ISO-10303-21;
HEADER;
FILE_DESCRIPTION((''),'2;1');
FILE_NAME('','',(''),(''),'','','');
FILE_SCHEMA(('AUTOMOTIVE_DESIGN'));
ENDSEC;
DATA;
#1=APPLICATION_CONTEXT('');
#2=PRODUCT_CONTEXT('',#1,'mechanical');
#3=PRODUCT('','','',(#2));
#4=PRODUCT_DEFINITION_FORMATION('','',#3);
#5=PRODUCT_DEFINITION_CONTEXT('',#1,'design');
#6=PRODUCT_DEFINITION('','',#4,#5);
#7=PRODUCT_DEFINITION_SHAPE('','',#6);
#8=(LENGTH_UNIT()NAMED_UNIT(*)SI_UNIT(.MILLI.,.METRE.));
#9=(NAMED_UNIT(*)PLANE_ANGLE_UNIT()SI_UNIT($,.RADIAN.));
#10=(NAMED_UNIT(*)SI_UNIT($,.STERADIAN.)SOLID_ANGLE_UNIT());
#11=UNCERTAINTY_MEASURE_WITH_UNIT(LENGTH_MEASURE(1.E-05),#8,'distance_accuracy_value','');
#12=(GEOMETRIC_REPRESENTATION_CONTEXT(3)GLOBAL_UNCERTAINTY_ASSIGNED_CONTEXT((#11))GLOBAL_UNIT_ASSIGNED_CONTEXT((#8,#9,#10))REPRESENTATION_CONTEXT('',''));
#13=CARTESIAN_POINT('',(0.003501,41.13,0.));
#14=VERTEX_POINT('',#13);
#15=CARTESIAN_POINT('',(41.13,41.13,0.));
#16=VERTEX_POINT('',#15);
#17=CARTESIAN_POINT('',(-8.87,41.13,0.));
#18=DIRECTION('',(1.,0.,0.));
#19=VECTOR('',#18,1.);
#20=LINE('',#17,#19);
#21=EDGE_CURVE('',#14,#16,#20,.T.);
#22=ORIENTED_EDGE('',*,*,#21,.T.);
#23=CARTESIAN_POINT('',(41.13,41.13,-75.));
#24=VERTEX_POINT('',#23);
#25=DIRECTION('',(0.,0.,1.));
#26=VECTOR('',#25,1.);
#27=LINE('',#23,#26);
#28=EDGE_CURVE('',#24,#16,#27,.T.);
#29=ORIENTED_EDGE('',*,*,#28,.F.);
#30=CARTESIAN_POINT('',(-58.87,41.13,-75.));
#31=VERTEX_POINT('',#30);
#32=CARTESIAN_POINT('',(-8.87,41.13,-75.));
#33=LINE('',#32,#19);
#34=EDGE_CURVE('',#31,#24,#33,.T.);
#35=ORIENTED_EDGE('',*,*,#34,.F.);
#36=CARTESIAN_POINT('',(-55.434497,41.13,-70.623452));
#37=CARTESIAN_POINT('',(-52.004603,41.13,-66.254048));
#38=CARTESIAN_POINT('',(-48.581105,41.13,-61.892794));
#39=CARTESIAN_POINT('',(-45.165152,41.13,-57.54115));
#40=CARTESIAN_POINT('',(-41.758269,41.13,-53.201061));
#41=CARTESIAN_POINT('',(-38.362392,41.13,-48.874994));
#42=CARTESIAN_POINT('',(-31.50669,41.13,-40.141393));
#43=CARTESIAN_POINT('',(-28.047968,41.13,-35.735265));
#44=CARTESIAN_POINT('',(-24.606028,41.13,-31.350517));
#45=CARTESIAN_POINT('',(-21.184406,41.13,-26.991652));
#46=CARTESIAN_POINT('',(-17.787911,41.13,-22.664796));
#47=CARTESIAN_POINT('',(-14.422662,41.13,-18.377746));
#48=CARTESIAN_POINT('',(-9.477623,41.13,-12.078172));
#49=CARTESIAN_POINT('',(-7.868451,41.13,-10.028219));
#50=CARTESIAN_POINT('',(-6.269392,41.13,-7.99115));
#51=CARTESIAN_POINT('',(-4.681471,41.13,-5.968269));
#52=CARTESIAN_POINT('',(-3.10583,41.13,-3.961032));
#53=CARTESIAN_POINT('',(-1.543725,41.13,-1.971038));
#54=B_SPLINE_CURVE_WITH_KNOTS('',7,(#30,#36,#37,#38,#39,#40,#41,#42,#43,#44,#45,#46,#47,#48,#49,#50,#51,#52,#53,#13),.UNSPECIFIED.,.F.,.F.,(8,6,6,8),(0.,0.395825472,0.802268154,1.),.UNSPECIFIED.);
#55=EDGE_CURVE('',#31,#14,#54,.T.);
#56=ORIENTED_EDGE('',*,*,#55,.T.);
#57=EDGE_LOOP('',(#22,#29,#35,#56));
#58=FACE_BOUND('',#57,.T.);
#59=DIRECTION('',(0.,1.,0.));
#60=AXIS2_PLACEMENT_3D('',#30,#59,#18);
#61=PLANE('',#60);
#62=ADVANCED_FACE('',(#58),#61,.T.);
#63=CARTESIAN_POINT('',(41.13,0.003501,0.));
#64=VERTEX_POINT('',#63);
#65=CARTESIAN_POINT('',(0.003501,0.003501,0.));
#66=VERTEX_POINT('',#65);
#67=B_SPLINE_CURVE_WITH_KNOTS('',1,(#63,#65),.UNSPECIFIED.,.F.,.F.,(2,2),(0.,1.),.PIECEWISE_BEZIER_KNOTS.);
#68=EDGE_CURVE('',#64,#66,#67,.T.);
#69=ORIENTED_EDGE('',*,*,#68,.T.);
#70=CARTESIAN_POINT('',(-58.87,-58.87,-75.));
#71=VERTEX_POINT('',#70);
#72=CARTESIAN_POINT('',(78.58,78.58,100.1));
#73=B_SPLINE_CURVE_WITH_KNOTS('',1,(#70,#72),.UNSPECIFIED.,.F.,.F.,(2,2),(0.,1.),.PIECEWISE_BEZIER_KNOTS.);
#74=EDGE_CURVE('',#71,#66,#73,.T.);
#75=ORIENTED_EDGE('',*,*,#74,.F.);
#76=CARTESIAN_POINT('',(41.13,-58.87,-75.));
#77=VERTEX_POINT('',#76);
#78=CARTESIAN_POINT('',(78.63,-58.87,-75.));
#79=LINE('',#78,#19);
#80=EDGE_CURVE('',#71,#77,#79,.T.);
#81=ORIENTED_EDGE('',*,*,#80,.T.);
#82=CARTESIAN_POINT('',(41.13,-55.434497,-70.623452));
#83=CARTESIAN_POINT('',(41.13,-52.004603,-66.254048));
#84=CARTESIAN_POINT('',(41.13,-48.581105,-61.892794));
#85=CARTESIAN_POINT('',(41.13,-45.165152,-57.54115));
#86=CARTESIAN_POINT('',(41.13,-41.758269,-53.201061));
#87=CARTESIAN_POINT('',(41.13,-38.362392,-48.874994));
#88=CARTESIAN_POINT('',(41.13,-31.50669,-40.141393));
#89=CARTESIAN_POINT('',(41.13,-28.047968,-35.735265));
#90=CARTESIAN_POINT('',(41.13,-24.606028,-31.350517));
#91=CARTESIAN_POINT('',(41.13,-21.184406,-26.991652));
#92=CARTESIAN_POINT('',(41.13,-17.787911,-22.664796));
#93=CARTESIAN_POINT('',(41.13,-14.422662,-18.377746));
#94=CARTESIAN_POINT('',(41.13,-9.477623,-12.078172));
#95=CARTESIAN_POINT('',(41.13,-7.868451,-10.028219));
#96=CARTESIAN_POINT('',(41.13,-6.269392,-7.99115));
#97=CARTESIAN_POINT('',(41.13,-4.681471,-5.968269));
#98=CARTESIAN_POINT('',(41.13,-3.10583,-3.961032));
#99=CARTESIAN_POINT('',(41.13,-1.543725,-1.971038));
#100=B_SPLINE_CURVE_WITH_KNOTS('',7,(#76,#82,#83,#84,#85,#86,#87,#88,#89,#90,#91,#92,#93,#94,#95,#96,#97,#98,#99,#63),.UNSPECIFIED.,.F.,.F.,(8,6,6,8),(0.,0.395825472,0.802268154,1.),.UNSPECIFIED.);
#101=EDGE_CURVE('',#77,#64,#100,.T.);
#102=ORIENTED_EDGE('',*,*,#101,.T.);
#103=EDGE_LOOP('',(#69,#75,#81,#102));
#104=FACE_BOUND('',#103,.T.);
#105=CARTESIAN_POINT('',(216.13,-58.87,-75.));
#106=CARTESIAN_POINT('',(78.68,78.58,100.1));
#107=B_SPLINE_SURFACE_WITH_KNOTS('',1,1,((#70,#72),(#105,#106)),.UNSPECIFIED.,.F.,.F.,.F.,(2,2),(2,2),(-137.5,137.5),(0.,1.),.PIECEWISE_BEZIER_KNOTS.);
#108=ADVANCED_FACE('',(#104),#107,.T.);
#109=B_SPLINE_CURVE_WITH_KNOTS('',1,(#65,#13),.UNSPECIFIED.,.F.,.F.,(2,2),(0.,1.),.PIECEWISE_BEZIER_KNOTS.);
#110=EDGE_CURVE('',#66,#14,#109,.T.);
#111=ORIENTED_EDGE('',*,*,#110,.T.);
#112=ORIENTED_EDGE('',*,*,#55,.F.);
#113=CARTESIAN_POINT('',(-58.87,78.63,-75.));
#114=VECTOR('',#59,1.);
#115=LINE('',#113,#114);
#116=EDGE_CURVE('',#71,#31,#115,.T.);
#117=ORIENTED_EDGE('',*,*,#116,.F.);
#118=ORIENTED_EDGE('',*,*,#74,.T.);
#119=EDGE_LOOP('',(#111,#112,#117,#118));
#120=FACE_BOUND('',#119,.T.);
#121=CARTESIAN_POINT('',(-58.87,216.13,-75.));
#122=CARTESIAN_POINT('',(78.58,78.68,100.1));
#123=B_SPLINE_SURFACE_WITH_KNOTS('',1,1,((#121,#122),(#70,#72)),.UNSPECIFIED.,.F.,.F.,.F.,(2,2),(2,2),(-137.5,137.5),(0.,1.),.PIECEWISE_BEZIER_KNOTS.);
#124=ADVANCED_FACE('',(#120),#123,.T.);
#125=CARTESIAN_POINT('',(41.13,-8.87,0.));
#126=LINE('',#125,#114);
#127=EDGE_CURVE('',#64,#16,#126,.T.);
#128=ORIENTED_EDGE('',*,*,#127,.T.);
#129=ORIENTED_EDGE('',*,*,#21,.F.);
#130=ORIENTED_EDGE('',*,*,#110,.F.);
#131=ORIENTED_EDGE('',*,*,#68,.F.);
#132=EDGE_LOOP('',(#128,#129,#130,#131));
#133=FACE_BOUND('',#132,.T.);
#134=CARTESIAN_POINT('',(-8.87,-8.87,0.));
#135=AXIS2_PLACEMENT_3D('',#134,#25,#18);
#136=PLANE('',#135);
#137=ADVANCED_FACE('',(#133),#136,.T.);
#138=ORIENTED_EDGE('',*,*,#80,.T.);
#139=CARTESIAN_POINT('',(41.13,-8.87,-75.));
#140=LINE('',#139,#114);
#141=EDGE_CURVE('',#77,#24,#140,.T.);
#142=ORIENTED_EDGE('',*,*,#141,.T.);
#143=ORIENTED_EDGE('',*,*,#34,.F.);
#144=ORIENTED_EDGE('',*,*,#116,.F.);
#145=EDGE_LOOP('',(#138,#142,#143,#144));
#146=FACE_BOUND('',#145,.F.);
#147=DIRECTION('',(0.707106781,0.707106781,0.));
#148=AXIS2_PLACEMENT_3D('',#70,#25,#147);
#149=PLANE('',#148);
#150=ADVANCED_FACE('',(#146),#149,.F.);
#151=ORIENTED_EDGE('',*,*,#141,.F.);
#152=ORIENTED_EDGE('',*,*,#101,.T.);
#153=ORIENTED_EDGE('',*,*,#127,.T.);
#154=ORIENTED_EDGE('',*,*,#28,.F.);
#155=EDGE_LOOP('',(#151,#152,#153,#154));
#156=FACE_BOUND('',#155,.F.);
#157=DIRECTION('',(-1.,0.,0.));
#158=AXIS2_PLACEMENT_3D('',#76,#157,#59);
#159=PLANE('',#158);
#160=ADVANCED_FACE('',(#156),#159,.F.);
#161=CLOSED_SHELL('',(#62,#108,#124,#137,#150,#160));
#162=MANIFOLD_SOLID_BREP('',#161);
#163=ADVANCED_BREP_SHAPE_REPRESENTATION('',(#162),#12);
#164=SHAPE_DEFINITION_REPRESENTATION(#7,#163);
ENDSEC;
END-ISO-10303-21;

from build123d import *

# Parameters (mm, degrees)
BOX018_W     = 100
BOX018_H     = 100
BOX018_DEPTH = 75
SKETCH042_W  = 275
SKETCH042_H  = 275
SKETCH043_W  = 0.1
SKETCH043_H  = 0.1


with BuildPart() as cube:
    # Box018 → Box018 (new body)
    with BuildSketch(Plane.XY):
        with Locations((50, 50)):
            Rectangle(BOX018_W, BOX018_H)
    extrude(amount=BOX018_DEPTH)


with BuildPart() as legs001:
    # Sketch042 → Loft013 section 0
    with BuildSketch(Plane.XY):
        with Locations((137.5, 137.5)):
            Rectangle(SKETCH042_W, SKETCH042_H)
    # Sketch043 → Loft013 section 1
    with BuildSketch(Plane.XY.offset(175.1)):
        with Locations((137.5, 137.5)):
            Rectangle(SKETCH043_W, SKETCH043_H)
    loft()

    # Common012: intersect Cube
    add(cube.part, mode=Mode.INTERSECT)


with BuildPart() as legs001_1:
    # Common012 placement: moved
    add(legs001.part.moved(Location((-58.87, -58.87, -75))))


solid = legs001_1.part
